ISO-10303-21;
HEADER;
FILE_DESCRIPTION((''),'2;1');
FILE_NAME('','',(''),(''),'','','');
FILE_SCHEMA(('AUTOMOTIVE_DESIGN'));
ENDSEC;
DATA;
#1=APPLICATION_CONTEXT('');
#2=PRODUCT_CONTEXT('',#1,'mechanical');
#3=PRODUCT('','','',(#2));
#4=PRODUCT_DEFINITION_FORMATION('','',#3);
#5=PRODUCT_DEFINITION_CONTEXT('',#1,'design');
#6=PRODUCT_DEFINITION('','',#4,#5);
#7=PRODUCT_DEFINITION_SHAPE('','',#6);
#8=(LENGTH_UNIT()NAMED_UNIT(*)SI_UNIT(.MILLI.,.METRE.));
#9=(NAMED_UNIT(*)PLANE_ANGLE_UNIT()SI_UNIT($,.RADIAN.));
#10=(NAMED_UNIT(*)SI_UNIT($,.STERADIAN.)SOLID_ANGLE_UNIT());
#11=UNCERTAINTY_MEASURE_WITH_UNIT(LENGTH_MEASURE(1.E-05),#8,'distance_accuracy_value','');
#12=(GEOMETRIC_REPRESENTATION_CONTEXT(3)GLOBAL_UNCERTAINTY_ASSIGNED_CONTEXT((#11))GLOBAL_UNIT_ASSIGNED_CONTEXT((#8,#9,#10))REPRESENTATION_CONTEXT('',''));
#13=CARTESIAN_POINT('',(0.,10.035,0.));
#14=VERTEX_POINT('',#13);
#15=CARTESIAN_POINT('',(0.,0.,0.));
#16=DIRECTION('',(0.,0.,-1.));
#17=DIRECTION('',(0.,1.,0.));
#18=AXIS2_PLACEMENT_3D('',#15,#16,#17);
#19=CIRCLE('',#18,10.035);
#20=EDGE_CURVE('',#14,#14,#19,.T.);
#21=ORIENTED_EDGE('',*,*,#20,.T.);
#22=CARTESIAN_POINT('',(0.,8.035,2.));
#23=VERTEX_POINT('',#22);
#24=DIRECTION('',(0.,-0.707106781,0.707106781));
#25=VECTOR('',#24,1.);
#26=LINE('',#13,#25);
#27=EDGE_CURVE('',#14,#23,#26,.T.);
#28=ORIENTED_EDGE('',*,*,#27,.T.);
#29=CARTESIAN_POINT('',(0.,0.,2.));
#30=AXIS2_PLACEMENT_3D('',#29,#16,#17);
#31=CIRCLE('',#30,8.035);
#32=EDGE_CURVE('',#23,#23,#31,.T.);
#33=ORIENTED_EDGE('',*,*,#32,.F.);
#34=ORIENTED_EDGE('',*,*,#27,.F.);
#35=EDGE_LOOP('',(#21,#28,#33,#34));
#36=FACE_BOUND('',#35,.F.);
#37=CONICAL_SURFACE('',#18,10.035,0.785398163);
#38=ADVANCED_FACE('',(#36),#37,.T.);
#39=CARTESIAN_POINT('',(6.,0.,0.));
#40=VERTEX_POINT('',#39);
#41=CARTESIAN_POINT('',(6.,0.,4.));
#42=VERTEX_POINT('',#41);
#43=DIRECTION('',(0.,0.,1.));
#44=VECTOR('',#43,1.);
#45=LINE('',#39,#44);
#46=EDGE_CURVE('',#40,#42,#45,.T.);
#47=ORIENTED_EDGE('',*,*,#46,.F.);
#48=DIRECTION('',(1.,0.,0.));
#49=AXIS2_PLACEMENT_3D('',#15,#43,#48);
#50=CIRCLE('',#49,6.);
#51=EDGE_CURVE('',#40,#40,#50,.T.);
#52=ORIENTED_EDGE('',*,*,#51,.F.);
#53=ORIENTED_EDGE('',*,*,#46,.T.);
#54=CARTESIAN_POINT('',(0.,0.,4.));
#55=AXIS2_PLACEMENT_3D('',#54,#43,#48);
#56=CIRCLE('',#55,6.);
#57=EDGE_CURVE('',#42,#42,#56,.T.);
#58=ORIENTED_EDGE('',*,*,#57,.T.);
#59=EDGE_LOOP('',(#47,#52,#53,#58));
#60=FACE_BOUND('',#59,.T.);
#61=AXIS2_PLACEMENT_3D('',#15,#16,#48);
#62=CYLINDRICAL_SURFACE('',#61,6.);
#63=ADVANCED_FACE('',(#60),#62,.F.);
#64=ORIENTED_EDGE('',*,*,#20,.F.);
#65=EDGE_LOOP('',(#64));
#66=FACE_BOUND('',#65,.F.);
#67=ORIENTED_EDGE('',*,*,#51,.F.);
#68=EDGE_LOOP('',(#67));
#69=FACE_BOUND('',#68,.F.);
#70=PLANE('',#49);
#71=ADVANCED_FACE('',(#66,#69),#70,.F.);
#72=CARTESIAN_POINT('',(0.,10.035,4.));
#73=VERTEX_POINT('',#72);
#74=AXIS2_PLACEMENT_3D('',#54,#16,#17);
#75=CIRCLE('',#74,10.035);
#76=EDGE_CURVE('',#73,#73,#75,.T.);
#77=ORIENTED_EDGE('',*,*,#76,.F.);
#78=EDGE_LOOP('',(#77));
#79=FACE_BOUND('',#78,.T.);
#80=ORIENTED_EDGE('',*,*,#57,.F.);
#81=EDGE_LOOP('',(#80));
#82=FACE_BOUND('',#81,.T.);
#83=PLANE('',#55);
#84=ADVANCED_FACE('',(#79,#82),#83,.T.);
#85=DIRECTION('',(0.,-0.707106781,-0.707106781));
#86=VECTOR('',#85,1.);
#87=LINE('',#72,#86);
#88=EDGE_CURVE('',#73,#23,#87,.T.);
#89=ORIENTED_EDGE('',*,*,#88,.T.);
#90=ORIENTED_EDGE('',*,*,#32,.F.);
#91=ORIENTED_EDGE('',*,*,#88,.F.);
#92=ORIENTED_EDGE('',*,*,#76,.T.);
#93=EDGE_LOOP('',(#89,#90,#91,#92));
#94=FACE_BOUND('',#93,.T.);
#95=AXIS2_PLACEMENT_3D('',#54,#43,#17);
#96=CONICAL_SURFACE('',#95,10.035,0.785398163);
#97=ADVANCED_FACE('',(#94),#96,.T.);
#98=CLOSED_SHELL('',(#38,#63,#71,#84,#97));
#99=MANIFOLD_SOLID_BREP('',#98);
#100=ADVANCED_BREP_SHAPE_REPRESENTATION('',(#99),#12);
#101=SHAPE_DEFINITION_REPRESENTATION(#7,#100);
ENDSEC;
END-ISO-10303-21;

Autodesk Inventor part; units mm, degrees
ref_plane "YZ Plane" through (0, 0, 0) normal (1, 0, 0) x (0, 1, 0)
ref_plane "XZ Plane" through (0, 0, 0) normal (0, 1, 0) x (-1, 0, 0)
ref_plane "XY Plane" through (0, 0, 0) normal (0, 0, 1) x (1, 0, 0)
sketch "Sketch90" plane through (0, 0, 0) normal (0, 0, 1) x (1, 0, 0)
  circle A0 centre (0, 0) radius 6
  circle A1 centre (0, 0) radius 8.035
  dimension "d450" = 12
  dimension "d451" = 16.07
extrude "Extrusion69" add sketch "Sketch90" along normal blind 4
sketch "Sketch91" plane through (0, 0, 0) normal (1, 0, 0) x (0, 1, 0)
  line L0 (8.035, 0) -> (8.035, 4) projected
  line L1 (8.035, 4) -> (10.035, 4)
  line L2 (8.035, 0) -> (10.035, 0)
  line L3 (10.035, 4) -> (8.035, 2)
  line L4 (10.035, 0) -> (8.035, 2)
  line L5 (0, 0) -> (0, -8)
  line L6 (6, 0) -> (-6, 0) projected
  line L7 (-8.035, 0) -> (8.035, 0) projected
  line L8 (-6, 4) -> (6, 4) projected
  line L9 (8.035, 4) -> (-8.035, 4) projected
  line L10 (-6, 4) -> (6, 4) projected
  line L11 (6, 0) -> (-6, 0) projected
  line L12 (6, 0) -> (-6, 0) projected
  line L13 (6, 0) -> (6, 4) projected
  line L14 (6, 0) -> (8, 0)
  line L15 (8, 0) -> (8, 0)
  line L16 (7, -1) -> (6, -1)
  line L17 (6, -1) -> (6, 0)
  line L18 (-6, 4) -> (6, 4) projected
  line L19 (6, 4) -> (8, 4)
  line L20 (8, 4) -> (8, 4)
  line L21 (7, 5) -> (6, 5)
  line L22 (6, 5) -> (6, 4)
  line L23 (8, 0) -> (7, -1)
  line L24 (8, 4) -> (7, 5)
  point P0 (8, -1)
  point P1 (8, 5)
  dimension "d454" = 2
  dimension "d456" = 2
  dimension "d457" = 1
  dimension "d458" = 1
  dimension "d459" = 1
  dimension "d460" = 1
  dimension "d461" = 1
  dimension "d462" = 1
revolve "Revolution9" add sketch "Sketch91" angle 360 about axis through (0, 0, 0) along (0, 0, -1) contours L0 L4 L2 | L0 L1 L3
properties part number "wheel-4-14-w_bearing"
